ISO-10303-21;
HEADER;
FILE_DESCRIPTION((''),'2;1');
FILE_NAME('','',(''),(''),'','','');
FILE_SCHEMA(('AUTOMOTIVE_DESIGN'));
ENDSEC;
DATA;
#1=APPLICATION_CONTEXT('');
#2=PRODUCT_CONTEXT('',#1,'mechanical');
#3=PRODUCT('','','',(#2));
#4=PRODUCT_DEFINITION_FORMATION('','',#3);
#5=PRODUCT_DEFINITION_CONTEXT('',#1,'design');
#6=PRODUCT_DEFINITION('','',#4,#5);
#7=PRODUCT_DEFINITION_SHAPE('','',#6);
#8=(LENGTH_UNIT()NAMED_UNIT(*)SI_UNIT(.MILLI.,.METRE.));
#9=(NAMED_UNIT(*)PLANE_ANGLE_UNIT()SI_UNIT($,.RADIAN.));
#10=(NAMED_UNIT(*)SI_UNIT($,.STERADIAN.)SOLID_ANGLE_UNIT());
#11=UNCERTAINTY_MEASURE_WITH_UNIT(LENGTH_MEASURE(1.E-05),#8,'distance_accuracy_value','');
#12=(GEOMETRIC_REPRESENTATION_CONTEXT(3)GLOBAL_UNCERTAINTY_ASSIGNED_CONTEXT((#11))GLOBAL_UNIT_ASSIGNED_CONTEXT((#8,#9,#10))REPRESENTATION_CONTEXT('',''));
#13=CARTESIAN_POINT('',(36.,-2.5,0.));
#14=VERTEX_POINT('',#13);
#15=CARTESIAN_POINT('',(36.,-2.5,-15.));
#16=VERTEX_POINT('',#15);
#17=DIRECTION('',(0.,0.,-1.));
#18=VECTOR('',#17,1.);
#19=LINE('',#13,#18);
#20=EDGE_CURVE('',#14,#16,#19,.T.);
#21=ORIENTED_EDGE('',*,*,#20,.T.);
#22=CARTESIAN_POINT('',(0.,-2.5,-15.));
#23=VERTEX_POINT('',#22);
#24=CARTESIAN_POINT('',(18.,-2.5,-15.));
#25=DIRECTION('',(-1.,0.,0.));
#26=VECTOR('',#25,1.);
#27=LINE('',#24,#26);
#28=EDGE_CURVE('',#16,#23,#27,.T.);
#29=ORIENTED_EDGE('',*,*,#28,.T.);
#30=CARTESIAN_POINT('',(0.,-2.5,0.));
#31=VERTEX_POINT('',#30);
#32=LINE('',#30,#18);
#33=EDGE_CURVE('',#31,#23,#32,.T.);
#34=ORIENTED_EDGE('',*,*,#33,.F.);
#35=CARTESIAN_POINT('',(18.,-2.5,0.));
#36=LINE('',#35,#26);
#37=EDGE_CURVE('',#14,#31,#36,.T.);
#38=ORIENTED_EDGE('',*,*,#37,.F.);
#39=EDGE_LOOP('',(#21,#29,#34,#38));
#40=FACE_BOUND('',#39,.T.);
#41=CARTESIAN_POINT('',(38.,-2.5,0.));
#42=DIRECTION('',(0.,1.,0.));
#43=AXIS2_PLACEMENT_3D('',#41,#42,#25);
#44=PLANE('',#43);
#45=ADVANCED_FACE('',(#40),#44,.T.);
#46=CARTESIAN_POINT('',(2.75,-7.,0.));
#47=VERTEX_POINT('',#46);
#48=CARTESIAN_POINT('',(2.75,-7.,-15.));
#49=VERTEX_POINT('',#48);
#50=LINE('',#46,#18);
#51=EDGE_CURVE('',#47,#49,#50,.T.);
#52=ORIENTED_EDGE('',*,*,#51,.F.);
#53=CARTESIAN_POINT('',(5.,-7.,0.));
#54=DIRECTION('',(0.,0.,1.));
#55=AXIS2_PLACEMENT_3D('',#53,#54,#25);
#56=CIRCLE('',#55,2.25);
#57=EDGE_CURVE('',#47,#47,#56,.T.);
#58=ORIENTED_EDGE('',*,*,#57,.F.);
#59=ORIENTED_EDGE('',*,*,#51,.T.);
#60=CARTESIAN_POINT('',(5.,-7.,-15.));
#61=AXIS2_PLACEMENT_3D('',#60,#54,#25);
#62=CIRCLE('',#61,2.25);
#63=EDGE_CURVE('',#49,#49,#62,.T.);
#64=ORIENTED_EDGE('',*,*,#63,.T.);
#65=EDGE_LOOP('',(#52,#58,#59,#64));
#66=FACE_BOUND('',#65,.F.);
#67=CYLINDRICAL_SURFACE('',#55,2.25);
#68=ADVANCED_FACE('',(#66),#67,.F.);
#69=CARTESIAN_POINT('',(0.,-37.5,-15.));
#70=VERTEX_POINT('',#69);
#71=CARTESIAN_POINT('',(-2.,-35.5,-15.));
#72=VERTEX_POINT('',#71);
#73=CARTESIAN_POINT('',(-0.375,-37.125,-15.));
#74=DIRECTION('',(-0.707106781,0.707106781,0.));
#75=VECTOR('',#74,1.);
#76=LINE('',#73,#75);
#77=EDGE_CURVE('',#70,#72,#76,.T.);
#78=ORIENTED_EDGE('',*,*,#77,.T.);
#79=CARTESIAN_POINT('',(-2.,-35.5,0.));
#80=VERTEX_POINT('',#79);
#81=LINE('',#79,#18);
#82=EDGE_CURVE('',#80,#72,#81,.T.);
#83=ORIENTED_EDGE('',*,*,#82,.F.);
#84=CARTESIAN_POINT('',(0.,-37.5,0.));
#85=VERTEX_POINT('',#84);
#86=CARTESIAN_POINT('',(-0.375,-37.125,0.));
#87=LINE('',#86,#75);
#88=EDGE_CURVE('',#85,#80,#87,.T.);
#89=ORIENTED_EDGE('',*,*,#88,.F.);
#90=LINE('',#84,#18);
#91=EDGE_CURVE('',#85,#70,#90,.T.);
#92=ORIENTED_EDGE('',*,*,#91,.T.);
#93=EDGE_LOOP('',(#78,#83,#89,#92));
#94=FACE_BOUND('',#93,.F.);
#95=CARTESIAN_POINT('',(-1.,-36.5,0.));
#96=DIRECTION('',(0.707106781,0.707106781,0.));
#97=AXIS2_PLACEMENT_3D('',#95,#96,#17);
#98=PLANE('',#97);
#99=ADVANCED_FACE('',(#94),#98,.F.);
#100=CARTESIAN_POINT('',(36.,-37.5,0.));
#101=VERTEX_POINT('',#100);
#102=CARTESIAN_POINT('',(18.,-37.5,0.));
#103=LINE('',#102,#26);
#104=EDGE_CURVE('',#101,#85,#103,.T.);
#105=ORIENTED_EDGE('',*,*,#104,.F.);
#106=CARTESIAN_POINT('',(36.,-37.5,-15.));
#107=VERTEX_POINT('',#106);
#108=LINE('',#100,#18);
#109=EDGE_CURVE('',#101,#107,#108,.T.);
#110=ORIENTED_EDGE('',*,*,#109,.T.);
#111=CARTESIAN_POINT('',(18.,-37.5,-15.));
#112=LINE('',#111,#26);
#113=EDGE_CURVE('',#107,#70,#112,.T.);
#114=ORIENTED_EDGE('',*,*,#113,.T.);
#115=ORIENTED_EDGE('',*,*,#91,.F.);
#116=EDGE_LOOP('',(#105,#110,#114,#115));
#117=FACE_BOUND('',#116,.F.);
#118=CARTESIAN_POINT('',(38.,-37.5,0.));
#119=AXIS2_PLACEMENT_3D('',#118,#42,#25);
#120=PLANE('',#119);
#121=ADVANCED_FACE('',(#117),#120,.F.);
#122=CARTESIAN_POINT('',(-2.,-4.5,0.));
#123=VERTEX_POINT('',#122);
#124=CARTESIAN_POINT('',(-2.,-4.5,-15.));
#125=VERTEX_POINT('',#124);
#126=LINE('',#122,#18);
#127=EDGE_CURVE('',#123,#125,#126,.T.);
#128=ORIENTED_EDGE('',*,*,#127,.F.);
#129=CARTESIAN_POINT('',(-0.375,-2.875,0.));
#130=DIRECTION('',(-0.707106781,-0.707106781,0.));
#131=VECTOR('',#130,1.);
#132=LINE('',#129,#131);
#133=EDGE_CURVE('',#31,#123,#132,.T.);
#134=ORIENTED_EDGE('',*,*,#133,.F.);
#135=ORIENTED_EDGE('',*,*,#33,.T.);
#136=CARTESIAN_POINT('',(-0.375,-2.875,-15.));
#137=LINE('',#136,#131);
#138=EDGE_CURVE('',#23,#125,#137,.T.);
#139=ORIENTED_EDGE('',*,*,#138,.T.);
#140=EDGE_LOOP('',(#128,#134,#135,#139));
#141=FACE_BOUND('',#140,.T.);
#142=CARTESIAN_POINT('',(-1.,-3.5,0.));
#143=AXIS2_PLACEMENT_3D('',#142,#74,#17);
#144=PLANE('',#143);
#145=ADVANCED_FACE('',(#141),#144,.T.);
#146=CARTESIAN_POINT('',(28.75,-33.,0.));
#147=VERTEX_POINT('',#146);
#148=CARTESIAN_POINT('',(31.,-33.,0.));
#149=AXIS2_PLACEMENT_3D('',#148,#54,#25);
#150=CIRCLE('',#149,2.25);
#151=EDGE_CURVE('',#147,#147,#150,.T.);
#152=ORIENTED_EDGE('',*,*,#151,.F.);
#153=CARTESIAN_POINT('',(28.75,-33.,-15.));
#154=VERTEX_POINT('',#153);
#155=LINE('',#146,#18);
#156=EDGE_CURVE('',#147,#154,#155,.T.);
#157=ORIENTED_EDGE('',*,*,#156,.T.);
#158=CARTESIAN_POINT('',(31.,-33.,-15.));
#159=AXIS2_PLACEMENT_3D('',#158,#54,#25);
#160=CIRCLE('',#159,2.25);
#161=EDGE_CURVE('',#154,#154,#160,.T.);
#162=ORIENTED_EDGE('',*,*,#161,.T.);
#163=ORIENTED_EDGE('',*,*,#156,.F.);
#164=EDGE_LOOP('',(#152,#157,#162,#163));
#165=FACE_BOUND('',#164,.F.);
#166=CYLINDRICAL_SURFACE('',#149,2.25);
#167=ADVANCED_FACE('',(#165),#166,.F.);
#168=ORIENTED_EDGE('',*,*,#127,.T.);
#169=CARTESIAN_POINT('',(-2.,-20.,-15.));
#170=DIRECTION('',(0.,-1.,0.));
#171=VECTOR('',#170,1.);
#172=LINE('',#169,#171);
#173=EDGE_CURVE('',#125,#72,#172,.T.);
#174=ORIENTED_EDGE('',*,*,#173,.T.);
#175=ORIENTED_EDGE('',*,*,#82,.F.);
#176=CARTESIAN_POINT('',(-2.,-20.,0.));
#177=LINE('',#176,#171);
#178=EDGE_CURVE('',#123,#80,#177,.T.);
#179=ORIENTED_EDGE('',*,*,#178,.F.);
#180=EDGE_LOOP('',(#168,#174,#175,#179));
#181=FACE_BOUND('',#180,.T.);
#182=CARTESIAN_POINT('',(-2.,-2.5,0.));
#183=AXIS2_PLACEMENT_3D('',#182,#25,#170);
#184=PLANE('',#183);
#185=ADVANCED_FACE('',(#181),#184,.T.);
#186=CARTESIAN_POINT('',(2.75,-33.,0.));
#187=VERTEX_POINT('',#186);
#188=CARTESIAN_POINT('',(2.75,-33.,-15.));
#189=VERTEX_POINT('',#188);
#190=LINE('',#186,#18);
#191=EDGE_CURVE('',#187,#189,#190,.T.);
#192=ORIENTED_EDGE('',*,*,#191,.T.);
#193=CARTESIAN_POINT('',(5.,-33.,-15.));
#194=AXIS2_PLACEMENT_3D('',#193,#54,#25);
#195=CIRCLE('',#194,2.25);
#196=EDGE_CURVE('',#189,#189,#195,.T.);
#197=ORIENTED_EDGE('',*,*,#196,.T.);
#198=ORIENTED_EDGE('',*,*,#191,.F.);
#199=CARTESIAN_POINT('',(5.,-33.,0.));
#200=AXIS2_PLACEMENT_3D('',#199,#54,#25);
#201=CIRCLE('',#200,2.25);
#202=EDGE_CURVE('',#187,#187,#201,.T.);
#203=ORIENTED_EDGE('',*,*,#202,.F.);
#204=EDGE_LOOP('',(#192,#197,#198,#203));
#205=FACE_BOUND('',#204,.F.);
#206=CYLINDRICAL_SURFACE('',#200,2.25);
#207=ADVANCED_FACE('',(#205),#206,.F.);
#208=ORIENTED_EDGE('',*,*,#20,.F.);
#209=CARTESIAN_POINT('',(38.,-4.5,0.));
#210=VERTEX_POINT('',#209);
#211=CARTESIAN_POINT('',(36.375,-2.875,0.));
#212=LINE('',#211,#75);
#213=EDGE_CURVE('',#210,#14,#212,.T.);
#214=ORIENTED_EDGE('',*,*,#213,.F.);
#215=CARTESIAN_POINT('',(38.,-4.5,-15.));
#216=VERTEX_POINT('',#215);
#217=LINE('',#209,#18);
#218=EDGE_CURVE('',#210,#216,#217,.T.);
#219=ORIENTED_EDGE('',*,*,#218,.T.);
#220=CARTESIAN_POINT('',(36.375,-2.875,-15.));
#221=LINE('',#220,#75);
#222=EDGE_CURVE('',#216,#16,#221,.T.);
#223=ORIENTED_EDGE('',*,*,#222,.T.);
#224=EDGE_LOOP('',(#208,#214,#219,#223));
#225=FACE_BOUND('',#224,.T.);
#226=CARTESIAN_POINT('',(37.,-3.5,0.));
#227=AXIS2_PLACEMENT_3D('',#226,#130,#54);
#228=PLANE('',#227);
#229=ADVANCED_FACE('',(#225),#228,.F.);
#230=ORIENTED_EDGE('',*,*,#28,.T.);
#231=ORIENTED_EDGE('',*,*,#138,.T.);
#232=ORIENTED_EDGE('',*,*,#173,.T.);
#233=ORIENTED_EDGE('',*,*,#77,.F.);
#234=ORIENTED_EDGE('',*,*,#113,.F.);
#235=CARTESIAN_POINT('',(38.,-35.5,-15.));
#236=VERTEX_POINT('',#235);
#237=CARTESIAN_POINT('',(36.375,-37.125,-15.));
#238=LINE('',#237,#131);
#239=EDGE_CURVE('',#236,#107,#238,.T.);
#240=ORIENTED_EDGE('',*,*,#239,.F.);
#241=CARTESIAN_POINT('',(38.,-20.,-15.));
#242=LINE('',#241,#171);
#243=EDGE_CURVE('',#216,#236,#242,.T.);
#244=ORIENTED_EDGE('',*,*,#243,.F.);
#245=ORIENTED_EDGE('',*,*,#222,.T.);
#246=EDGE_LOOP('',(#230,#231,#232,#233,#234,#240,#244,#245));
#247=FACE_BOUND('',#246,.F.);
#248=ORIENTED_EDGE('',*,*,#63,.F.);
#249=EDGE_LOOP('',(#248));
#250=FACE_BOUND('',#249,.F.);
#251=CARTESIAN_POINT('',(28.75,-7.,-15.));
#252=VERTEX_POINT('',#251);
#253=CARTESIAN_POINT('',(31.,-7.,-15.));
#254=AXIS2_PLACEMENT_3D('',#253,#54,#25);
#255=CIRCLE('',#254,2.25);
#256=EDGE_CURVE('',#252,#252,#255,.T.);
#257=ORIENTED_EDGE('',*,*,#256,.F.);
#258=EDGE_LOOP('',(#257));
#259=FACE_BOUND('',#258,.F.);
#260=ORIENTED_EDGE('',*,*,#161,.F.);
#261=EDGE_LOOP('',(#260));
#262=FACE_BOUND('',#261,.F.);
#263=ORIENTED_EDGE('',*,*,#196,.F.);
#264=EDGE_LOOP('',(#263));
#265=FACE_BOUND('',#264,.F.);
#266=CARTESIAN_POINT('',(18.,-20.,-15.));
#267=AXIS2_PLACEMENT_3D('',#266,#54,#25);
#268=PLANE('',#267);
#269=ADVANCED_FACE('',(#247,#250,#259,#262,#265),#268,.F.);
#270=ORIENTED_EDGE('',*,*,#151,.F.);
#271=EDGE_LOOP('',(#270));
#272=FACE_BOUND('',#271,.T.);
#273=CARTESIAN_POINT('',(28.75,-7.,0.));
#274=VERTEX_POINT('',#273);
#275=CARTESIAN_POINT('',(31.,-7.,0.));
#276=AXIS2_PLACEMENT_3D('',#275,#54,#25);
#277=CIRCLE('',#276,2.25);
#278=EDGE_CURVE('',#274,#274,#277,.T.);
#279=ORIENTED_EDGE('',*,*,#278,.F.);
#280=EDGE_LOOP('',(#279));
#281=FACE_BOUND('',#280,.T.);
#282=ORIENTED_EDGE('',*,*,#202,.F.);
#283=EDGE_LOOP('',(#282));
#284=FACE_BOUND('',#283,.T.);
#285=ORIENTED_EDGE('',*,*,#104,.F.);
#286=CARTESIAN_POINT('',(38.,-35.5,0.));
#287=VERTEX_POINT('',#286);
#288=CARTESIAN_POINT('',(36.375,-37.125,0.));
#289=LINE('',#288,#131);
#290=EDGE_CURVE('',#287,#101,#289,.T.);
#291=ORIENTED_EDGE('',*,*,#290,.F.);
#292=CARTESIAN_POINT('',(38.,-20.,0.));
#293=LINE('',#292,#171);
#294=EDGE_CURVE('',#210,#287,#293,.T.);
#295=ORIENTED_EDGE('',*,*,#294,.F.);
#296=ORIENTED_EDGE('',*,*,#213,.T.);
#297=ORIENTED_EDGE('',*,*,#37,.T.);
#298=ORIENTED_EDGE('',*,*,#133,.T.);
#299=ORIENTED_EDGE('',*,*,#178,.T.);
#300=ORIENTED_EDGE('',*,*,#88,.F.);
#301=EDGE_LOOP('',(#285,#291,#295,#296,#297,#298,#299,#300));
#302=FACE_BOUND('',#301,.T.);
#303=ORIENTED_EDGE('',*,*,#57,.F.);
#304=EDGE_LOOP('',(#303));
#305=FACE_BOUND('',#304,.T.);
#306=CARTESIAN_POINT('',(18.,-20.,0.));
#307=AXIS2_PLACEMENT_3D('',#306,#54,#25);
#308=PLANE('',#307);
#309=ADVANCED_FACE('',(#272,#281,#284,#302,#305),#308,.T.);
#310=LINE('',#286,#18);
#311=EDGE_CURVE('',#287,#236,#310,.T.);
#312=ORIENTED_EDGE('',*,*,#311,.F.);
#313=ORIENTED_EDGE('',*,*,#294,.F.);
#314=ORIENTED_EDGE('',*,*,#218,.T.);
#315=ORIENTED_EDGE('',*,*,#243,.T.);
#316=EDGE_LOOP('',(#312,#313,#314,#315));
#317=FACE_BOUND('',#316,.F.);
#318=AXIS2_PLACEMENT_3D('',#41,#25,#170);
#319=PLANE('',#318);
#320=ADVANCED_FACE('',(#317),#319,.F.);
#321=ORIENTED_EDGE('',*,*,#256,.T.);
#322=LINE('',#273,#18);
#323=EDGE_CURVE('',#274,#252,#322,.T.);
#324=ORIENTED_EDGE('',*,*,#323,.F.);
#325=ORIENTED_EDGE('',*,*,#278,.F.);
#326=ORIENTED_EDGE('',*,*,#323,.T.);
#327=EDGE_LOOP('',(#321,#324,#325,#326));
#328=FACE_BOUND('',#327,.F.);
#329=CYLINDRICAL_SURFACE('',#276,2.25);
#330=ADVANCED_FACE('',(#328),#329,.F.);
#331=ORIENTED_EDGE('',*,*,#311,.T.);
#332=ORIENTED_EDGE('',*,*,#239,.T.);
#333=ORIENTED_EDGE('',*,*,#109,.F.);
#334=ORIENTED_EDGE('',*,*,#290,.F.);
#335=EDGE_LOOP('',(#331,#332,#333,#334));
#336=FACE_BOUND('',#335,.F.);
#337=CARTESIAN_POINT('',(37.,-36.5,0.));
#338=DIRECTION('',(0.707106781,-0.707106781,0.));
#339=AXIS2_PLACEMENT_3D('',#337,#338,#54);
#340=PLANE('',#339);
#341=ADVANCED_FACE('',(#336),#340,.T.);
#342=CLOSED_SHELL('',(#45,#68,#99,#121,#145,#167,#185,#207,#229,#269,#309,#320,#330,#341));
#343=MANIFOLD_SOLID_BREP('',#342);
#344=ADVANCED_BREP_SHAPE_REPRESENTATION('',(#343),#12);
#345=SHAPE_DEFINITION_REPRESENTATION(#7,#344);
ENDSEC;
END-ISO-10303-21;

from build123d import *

# Parameters (mm, degrees)
SKETCH_W              = 40
SKETCH_H              = 35
PAD_DEPTH             = 15
SKETCH001_R           = 2.25
HOLE_DEPTH            = 25
CHAMFER_SIZE          = 2
CLONE_PLACEMENT_ANGLE = 180


with BuildPart() as part:
    # Sketch → Pad (new body)
    with BuildSketch(Plane.XY):
        Rectangle(SKETCH_W, SKETCH_H)
    extrude(amount=-PAD_DEPTH)

    # Sketch001 → Hole (cut)
    with BuildSketch(Plane.XY):
        with Locations((-13, 13)):
            Circle(SKETCH001_R)
        with Locations((13, 13)):
            Circle(SKETCH001_R)
        with Locations((13, -13)):
            Circle(SKETCH001_R)
        with Locations((-13, -13)):
            Circle(SKETCH001_R)
    extrude(amount=-HOLE_DEPTH, mode=Mode.SUBTRACT)

    # Chamfer
    chamfer_edges = [part.edges().sort_by_distance(p)[0] for p in [
        (-20, -17.5, -7.5),
        (20, -17.5, -7.5),
        (-20, 17.5, -7.5),
        (20, 17.5, -7.5),
    ]]
    chamfer(chamfer_edges, length=CHAMFER_SIZE)


with BuildPart() as part_1:
    # Clone placement: moved
    add(part.part.moved(Location((18, -20, 0))).rotate(Axis((18, -20, 0), (0, 0, 1)), CLONE_PLACEMENT_ANGLE))


solid = part_1.part
